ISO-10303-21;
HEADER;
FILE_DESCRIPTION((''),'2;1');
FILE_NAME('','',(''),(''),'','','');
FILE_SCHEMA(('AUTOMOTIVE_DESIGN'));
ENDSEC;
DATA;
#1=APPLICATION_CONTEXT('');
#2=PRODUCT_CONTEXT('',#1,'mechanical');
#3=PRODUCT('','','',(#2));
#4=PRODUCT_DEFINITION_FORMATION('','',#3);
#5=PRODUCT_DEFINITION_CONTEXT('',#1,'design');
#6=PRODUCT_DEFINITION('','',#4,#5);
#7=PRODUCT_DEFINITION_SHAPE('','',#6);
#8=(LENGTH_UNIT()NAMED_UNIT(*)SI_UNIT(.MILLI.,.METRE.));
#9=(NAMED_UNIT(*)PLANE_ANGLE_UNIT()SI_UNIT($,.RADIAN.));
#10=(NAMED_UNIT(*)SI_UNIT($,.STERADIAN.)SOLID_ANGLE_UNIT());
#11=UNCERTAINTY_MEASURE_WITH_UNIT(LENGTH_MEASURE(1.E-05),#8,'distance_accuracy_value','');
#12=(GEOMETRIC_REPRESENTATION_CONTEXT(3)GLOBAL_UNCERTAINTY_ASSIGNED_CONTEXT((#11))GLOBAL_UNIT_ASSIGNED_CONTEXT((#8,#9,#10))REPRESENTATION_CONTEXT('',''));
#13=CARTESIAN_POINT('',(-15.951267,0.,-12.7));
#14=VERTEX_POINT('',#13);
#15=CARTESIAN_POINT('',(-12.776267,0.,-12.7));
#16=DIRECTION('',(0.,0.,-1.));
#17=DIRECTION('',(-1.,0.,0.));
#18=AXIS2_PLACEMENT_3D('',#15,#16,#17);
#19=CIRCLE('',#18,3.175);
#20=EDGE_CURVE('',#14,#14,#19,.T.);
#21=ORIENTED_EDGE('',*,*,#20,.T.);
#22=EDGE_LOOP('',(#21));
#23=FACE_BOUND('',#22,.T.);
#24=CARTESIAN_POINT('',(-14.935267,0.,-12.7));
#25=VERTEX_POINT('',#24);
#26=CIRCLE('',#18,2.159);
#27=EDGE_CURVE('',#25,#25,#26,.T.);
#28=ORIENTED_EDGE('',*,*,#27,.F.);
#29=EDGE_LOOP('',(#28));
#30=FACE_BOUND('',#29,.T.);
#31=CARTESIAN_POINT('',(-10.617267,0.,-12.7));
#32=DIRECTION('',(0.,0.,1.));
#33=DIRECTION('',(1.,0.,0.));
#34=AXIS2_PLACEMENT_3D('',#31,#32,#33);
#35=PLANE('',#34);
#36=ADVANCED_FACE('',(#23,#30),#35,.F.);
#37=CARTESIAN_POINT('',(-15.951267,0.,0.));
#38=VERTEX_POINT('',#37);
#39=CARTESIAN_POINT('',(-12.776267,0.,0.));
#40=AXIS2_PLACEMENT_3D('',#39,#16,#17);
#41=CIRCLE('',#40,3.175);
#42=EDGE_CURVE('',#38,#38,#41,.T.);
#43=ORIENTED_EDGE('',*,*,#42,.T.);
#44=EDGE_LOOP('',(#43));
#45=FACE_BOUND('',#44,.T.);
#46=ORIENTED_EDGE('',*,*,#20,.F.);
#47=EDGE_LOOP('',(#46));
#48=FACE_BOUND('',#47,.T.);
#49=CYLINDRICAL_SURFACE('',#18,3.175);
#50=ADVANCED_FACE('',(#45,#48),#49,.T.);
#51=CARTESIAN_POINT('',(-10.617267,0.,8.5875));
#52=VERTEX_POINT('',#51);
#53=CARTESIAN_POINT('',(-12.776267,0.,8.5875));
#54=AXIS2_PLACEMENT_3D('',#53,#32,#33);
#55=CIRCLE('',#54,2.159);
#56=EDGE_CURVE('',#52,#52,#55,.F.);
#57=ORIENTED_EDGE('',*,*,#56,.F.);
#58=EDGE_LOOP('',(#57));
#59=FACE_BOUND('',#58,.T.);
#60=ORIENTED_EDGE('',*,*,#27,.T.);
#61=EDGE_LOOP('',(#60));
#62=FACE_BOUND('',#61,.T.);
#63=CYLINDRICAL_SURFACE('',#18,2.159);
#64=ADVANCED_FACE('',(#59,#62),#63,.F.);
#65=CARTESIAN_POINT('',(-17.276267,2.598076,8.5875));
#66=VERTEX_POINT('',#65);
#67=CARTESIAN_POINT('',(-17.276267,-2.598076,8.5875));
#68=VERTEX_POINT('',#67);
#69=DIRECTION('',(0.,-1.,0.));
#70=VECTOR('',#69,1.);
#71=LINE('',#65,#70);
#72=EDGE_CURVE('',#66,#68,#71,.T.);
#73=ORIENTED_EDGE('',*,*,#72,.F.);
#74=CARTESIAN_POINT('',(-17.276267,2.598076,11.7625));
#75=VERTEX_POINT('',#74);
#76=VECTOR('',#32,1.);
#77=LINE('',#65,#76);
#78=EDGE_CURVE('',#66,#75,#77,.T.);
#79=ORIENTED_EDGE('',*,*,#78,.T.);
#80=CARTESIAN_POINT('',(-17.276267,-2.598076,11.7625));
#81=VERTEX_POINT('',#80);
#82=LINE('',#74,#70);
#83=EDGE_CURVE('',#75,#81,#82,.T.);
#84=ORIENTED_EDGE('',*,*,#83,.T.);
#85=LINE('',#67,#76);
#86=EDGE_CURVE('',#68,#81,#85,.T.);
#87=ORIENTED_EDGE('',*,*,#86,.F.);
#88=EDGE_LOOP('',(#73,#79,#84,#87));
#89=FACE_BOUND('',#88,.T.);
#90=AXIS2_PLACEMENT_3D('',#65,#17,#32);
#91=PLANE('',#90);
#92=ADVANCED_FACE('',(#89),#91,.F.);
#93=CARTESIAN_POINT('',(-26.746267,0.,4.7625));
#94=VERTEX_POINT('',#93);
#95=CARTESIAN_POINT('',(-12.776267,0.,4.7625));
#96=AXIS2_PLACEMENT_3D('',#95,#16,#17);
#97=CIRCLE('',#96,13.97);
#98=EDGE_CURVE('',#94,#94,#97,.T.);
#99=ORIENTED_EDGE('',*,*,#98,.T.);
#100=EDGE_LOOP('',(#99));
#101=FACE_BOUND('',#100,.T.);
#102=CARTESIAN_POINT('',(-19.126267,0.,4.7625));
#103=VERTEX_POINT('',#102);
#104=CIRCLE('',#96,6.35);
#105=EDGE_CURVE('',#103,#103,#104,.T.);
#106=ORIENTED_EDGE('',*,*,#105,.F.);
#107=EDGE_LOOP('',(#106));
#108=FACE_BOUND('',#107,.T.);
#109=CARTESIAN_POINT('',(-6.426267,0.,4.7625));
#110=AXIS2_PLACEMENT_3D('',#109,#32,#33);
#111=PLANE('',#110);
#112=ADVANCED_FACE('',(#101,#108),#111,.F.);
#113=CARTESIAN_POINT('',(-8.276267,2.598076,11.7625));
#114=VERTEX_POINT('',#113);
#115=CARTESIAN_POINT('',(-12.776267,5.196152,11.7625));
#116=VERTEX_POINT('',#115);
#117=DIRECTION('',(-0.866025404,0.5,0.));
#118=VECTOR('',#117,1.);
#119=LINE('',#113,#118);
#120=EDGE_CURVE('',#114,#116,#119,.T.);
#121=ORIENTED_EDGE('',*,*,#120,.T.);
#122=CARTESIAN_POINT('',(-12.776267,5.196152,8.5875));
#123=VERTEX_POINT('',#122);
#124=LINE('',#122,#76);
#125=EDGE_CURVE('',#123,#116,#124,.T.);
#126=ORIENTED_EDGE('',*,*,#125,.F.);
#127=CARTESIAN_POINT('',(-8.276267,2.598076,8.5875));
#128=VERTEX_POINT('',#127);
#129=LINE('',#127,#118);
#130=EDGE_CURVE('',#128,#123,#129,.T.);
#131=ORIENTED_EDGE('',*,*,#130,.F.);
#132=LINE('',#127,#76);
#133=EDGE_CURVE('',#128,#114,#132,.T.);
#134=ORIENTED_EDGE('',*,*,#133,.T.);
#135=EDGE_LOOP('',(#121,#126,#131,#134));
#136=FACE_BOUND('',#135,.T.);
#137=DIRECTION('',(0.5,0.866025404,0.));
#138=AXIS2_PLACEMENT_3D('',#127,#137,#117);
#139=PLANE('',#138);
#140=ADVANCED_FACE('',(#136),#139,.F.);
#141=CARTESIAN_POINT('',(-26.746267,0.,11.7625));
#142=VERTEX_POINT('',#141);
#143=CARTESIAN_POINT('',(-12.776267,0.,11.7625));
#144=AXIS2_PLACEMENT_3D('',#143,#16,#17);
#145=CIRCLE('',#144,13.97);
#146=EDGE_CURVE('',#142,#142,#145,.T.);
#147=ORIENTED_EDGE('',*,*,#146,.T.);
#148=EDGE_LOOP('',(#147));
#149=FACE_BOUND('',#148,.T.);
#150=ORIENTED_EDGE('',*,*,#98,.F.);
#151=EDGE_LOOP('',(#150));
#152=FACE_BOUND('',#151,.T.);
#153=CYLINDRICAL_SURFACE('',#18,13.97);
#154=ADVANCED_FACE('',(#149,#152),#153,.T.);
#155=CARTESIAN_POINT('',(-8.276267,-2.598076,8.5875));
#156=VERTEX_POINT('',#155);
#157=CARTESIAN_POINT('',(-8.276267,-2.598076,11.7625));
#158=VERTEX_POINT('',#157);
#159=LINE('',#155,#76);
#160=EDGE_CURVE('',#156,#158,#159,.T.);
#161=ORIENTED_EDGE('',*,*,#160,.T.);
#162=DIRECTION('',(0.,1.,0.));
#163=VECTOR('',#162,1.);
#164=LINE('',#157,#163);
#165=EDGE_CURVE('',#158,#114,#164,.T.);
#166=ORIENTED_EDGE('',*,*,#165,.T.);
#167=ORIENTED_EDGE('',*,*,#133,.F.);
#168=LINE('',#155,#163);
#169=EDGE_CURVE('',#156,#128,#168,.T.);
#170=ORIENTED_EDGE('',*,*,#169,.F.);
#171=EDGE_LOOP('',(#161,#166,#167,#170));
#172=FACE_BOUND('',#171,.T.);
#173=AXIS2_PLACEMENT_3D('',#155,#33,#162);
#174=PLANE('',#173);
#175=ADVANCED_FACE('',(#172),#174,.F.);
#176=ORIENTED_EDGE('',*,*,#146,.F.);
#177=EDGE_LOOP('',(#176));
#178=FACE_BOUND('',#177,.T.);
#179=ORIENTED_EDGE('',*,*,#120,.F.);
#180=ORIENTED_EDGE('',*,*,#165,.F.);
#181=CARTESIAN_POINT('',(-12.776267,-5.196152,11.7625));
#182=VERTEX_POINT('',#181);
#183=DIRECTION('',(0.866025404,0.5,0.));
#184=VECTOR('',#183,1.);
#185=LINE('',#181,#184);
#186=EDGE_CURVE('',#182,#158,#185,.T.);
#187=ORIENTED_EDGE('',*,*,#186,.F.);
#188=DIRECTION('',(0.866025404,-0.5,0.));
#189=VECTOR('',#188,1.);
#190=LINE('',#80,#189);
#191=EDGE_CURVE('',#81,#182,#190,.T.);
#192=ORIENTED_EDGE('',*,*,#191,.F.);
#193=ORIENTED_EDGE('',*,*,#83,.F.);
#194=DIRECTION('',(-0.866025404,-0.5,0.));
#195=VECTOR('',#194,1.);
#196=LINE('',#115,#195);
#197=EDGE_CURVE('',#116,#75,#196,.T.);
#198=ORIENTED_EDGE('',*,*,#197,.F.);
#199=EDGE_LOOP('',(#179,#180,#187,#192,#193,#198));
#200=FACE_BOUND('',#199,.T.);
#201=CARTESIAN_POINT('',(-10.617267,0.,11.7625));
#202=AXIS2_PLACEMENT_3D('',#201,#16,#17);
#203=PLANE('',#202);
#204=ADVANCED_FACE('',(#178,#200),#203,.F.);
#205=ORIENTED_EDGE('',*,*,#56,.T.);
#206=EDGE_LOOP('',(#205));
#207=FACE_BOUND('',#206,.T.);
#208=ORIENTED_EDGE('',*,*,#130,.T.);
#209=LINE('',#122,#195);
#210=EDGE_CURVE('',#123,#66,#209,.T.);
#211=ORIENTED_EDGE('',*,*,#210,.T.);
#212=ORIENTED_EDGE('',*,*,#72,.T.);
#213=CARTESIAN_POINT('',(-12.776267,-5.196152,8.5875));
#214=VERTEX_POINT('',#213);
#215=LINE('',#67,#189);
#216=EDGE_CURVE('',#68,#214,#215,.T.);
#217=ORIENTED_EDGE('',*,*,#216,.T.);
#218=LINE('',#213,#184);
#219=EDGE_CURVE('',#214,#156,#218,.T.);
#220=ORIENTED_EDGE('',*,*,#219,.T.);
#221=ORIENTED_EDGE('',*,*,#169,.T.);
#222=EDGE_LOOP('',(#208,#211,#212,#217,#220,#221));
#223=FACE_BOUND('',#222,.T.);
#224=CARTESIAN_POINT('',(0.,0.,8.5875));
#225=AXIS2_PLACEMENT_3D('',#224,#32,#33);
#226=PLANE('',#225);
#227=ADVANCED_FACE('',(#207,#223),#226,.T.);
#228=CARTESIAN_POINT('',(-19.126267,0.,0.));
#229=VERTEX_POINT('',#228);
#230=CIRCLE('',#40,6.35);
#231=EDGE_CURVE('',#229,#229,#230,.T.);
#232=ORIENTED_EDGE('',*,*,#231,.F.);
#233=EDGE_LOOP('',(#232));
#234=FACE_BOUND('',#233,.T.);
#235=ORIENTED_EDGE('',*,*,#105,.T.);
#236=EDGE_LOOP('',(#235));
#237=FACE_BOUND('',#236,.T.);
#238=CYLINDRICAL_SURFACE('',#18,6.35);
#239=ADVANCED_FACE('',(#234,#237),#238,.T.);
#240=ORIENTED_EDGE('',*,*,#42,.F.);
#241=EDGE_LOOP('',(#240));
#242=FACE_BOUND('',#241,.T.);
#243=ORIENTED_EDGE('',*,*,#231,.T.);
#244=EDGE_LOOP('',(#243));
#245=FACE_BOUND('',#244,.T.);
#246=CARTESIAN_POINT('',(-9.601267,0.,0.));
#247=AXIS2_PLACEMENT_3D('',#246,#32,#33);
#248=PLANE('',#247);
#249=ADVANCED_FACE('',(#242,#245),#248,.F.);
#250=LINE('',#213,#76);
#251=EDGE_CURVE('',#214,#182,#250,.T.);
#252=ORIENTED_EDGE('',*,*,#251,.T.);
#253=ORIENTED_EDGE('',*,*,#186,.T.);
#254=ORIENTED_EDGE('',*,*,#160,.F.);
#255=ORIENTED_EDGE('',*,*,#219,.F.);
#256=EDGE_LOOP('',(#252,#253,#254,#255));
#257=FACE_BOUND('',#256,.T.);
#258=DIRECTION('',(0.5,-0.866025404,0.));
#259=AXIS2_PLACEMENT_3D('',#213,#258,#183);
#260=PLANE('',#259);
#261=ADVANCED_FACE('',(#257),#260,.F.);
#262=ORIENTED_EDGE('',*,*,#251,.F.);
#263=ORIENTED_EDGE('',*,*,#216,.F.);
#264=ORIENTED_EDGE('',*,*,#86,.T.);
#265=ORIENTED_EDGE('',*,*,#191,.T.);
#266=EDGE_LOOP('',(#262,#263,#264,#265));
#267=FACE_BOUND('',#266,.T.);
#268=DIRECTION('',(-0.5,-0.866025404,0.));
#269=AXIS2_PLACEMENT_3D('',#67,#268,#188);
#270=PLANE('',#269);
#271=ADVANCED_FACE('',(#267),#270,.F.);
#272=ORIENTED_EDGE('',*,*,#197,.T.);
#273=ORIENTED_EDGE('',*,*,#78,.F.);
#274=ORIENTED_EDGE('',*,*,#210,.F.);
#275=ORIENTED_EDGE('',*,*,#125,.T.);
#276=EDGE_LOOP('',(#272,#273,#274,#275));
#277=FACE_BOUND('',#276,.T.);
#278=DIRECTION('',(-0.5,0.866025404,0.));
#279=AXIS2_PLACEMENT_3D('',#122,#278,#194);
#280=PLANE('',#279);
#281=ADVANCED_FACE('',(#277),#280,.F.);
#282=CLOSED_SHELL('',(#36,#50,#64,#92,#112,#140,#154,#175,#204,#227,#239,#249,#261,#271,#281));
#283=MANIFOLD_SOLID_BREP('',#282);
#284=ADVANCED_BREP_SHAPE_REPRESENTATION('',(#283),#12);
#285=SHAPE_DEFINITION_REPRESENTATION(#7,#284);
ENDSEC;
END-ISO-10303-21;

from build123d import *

# Parameters (mm, degrees)
CUT_EXTRUDE1_DEPTH = 3.175


with BuildPart() as part:
    # Sketch2 → Revolve1 (revolve)
    with BuildSketch(Plane(origin=(0, 0, 0), x_dir=(1, 0, 0), z_dir=(0, 1, 0)), mode=Mode.PRIVATE) as revolve1_sk:
        Polygon((-10.617267455, 12.7), (-9.601267455, 12.7), (-9.601267455, 0), (-6.426267455, 0), (-6.426267455, -4.7625), (1.193732545, -4.7625), (1.193732545, -11.7625), (-10.617267455, -11.7625), align=None)
    revolve(revolve1_sk.sketch.rotate(Axis((-12.776267455, 0, -12.7), (0, 0, 1)), 180), axis=Axis((-12.776267455, 0, -12.7), (0, 0, 1)))

    # Sketch3 → Cut-Extrude1 (cut)
    with BuildSketch(Plane.XY.offset(11.7625)):
        Polygon((-12.776267455, -5.196152423), (-8.276267455, -2.598076211), (-8.276267455, 2.598076211), (-12.776267455, 5.196152423), (-17.276267455, 2.598076211), (-17.276267455, -2.598076211), align=None)
    extrude(amount=-CUT_EXTRUDE1_DEPTH, mode=Mode.SUBTRACT)


solid = part.part
